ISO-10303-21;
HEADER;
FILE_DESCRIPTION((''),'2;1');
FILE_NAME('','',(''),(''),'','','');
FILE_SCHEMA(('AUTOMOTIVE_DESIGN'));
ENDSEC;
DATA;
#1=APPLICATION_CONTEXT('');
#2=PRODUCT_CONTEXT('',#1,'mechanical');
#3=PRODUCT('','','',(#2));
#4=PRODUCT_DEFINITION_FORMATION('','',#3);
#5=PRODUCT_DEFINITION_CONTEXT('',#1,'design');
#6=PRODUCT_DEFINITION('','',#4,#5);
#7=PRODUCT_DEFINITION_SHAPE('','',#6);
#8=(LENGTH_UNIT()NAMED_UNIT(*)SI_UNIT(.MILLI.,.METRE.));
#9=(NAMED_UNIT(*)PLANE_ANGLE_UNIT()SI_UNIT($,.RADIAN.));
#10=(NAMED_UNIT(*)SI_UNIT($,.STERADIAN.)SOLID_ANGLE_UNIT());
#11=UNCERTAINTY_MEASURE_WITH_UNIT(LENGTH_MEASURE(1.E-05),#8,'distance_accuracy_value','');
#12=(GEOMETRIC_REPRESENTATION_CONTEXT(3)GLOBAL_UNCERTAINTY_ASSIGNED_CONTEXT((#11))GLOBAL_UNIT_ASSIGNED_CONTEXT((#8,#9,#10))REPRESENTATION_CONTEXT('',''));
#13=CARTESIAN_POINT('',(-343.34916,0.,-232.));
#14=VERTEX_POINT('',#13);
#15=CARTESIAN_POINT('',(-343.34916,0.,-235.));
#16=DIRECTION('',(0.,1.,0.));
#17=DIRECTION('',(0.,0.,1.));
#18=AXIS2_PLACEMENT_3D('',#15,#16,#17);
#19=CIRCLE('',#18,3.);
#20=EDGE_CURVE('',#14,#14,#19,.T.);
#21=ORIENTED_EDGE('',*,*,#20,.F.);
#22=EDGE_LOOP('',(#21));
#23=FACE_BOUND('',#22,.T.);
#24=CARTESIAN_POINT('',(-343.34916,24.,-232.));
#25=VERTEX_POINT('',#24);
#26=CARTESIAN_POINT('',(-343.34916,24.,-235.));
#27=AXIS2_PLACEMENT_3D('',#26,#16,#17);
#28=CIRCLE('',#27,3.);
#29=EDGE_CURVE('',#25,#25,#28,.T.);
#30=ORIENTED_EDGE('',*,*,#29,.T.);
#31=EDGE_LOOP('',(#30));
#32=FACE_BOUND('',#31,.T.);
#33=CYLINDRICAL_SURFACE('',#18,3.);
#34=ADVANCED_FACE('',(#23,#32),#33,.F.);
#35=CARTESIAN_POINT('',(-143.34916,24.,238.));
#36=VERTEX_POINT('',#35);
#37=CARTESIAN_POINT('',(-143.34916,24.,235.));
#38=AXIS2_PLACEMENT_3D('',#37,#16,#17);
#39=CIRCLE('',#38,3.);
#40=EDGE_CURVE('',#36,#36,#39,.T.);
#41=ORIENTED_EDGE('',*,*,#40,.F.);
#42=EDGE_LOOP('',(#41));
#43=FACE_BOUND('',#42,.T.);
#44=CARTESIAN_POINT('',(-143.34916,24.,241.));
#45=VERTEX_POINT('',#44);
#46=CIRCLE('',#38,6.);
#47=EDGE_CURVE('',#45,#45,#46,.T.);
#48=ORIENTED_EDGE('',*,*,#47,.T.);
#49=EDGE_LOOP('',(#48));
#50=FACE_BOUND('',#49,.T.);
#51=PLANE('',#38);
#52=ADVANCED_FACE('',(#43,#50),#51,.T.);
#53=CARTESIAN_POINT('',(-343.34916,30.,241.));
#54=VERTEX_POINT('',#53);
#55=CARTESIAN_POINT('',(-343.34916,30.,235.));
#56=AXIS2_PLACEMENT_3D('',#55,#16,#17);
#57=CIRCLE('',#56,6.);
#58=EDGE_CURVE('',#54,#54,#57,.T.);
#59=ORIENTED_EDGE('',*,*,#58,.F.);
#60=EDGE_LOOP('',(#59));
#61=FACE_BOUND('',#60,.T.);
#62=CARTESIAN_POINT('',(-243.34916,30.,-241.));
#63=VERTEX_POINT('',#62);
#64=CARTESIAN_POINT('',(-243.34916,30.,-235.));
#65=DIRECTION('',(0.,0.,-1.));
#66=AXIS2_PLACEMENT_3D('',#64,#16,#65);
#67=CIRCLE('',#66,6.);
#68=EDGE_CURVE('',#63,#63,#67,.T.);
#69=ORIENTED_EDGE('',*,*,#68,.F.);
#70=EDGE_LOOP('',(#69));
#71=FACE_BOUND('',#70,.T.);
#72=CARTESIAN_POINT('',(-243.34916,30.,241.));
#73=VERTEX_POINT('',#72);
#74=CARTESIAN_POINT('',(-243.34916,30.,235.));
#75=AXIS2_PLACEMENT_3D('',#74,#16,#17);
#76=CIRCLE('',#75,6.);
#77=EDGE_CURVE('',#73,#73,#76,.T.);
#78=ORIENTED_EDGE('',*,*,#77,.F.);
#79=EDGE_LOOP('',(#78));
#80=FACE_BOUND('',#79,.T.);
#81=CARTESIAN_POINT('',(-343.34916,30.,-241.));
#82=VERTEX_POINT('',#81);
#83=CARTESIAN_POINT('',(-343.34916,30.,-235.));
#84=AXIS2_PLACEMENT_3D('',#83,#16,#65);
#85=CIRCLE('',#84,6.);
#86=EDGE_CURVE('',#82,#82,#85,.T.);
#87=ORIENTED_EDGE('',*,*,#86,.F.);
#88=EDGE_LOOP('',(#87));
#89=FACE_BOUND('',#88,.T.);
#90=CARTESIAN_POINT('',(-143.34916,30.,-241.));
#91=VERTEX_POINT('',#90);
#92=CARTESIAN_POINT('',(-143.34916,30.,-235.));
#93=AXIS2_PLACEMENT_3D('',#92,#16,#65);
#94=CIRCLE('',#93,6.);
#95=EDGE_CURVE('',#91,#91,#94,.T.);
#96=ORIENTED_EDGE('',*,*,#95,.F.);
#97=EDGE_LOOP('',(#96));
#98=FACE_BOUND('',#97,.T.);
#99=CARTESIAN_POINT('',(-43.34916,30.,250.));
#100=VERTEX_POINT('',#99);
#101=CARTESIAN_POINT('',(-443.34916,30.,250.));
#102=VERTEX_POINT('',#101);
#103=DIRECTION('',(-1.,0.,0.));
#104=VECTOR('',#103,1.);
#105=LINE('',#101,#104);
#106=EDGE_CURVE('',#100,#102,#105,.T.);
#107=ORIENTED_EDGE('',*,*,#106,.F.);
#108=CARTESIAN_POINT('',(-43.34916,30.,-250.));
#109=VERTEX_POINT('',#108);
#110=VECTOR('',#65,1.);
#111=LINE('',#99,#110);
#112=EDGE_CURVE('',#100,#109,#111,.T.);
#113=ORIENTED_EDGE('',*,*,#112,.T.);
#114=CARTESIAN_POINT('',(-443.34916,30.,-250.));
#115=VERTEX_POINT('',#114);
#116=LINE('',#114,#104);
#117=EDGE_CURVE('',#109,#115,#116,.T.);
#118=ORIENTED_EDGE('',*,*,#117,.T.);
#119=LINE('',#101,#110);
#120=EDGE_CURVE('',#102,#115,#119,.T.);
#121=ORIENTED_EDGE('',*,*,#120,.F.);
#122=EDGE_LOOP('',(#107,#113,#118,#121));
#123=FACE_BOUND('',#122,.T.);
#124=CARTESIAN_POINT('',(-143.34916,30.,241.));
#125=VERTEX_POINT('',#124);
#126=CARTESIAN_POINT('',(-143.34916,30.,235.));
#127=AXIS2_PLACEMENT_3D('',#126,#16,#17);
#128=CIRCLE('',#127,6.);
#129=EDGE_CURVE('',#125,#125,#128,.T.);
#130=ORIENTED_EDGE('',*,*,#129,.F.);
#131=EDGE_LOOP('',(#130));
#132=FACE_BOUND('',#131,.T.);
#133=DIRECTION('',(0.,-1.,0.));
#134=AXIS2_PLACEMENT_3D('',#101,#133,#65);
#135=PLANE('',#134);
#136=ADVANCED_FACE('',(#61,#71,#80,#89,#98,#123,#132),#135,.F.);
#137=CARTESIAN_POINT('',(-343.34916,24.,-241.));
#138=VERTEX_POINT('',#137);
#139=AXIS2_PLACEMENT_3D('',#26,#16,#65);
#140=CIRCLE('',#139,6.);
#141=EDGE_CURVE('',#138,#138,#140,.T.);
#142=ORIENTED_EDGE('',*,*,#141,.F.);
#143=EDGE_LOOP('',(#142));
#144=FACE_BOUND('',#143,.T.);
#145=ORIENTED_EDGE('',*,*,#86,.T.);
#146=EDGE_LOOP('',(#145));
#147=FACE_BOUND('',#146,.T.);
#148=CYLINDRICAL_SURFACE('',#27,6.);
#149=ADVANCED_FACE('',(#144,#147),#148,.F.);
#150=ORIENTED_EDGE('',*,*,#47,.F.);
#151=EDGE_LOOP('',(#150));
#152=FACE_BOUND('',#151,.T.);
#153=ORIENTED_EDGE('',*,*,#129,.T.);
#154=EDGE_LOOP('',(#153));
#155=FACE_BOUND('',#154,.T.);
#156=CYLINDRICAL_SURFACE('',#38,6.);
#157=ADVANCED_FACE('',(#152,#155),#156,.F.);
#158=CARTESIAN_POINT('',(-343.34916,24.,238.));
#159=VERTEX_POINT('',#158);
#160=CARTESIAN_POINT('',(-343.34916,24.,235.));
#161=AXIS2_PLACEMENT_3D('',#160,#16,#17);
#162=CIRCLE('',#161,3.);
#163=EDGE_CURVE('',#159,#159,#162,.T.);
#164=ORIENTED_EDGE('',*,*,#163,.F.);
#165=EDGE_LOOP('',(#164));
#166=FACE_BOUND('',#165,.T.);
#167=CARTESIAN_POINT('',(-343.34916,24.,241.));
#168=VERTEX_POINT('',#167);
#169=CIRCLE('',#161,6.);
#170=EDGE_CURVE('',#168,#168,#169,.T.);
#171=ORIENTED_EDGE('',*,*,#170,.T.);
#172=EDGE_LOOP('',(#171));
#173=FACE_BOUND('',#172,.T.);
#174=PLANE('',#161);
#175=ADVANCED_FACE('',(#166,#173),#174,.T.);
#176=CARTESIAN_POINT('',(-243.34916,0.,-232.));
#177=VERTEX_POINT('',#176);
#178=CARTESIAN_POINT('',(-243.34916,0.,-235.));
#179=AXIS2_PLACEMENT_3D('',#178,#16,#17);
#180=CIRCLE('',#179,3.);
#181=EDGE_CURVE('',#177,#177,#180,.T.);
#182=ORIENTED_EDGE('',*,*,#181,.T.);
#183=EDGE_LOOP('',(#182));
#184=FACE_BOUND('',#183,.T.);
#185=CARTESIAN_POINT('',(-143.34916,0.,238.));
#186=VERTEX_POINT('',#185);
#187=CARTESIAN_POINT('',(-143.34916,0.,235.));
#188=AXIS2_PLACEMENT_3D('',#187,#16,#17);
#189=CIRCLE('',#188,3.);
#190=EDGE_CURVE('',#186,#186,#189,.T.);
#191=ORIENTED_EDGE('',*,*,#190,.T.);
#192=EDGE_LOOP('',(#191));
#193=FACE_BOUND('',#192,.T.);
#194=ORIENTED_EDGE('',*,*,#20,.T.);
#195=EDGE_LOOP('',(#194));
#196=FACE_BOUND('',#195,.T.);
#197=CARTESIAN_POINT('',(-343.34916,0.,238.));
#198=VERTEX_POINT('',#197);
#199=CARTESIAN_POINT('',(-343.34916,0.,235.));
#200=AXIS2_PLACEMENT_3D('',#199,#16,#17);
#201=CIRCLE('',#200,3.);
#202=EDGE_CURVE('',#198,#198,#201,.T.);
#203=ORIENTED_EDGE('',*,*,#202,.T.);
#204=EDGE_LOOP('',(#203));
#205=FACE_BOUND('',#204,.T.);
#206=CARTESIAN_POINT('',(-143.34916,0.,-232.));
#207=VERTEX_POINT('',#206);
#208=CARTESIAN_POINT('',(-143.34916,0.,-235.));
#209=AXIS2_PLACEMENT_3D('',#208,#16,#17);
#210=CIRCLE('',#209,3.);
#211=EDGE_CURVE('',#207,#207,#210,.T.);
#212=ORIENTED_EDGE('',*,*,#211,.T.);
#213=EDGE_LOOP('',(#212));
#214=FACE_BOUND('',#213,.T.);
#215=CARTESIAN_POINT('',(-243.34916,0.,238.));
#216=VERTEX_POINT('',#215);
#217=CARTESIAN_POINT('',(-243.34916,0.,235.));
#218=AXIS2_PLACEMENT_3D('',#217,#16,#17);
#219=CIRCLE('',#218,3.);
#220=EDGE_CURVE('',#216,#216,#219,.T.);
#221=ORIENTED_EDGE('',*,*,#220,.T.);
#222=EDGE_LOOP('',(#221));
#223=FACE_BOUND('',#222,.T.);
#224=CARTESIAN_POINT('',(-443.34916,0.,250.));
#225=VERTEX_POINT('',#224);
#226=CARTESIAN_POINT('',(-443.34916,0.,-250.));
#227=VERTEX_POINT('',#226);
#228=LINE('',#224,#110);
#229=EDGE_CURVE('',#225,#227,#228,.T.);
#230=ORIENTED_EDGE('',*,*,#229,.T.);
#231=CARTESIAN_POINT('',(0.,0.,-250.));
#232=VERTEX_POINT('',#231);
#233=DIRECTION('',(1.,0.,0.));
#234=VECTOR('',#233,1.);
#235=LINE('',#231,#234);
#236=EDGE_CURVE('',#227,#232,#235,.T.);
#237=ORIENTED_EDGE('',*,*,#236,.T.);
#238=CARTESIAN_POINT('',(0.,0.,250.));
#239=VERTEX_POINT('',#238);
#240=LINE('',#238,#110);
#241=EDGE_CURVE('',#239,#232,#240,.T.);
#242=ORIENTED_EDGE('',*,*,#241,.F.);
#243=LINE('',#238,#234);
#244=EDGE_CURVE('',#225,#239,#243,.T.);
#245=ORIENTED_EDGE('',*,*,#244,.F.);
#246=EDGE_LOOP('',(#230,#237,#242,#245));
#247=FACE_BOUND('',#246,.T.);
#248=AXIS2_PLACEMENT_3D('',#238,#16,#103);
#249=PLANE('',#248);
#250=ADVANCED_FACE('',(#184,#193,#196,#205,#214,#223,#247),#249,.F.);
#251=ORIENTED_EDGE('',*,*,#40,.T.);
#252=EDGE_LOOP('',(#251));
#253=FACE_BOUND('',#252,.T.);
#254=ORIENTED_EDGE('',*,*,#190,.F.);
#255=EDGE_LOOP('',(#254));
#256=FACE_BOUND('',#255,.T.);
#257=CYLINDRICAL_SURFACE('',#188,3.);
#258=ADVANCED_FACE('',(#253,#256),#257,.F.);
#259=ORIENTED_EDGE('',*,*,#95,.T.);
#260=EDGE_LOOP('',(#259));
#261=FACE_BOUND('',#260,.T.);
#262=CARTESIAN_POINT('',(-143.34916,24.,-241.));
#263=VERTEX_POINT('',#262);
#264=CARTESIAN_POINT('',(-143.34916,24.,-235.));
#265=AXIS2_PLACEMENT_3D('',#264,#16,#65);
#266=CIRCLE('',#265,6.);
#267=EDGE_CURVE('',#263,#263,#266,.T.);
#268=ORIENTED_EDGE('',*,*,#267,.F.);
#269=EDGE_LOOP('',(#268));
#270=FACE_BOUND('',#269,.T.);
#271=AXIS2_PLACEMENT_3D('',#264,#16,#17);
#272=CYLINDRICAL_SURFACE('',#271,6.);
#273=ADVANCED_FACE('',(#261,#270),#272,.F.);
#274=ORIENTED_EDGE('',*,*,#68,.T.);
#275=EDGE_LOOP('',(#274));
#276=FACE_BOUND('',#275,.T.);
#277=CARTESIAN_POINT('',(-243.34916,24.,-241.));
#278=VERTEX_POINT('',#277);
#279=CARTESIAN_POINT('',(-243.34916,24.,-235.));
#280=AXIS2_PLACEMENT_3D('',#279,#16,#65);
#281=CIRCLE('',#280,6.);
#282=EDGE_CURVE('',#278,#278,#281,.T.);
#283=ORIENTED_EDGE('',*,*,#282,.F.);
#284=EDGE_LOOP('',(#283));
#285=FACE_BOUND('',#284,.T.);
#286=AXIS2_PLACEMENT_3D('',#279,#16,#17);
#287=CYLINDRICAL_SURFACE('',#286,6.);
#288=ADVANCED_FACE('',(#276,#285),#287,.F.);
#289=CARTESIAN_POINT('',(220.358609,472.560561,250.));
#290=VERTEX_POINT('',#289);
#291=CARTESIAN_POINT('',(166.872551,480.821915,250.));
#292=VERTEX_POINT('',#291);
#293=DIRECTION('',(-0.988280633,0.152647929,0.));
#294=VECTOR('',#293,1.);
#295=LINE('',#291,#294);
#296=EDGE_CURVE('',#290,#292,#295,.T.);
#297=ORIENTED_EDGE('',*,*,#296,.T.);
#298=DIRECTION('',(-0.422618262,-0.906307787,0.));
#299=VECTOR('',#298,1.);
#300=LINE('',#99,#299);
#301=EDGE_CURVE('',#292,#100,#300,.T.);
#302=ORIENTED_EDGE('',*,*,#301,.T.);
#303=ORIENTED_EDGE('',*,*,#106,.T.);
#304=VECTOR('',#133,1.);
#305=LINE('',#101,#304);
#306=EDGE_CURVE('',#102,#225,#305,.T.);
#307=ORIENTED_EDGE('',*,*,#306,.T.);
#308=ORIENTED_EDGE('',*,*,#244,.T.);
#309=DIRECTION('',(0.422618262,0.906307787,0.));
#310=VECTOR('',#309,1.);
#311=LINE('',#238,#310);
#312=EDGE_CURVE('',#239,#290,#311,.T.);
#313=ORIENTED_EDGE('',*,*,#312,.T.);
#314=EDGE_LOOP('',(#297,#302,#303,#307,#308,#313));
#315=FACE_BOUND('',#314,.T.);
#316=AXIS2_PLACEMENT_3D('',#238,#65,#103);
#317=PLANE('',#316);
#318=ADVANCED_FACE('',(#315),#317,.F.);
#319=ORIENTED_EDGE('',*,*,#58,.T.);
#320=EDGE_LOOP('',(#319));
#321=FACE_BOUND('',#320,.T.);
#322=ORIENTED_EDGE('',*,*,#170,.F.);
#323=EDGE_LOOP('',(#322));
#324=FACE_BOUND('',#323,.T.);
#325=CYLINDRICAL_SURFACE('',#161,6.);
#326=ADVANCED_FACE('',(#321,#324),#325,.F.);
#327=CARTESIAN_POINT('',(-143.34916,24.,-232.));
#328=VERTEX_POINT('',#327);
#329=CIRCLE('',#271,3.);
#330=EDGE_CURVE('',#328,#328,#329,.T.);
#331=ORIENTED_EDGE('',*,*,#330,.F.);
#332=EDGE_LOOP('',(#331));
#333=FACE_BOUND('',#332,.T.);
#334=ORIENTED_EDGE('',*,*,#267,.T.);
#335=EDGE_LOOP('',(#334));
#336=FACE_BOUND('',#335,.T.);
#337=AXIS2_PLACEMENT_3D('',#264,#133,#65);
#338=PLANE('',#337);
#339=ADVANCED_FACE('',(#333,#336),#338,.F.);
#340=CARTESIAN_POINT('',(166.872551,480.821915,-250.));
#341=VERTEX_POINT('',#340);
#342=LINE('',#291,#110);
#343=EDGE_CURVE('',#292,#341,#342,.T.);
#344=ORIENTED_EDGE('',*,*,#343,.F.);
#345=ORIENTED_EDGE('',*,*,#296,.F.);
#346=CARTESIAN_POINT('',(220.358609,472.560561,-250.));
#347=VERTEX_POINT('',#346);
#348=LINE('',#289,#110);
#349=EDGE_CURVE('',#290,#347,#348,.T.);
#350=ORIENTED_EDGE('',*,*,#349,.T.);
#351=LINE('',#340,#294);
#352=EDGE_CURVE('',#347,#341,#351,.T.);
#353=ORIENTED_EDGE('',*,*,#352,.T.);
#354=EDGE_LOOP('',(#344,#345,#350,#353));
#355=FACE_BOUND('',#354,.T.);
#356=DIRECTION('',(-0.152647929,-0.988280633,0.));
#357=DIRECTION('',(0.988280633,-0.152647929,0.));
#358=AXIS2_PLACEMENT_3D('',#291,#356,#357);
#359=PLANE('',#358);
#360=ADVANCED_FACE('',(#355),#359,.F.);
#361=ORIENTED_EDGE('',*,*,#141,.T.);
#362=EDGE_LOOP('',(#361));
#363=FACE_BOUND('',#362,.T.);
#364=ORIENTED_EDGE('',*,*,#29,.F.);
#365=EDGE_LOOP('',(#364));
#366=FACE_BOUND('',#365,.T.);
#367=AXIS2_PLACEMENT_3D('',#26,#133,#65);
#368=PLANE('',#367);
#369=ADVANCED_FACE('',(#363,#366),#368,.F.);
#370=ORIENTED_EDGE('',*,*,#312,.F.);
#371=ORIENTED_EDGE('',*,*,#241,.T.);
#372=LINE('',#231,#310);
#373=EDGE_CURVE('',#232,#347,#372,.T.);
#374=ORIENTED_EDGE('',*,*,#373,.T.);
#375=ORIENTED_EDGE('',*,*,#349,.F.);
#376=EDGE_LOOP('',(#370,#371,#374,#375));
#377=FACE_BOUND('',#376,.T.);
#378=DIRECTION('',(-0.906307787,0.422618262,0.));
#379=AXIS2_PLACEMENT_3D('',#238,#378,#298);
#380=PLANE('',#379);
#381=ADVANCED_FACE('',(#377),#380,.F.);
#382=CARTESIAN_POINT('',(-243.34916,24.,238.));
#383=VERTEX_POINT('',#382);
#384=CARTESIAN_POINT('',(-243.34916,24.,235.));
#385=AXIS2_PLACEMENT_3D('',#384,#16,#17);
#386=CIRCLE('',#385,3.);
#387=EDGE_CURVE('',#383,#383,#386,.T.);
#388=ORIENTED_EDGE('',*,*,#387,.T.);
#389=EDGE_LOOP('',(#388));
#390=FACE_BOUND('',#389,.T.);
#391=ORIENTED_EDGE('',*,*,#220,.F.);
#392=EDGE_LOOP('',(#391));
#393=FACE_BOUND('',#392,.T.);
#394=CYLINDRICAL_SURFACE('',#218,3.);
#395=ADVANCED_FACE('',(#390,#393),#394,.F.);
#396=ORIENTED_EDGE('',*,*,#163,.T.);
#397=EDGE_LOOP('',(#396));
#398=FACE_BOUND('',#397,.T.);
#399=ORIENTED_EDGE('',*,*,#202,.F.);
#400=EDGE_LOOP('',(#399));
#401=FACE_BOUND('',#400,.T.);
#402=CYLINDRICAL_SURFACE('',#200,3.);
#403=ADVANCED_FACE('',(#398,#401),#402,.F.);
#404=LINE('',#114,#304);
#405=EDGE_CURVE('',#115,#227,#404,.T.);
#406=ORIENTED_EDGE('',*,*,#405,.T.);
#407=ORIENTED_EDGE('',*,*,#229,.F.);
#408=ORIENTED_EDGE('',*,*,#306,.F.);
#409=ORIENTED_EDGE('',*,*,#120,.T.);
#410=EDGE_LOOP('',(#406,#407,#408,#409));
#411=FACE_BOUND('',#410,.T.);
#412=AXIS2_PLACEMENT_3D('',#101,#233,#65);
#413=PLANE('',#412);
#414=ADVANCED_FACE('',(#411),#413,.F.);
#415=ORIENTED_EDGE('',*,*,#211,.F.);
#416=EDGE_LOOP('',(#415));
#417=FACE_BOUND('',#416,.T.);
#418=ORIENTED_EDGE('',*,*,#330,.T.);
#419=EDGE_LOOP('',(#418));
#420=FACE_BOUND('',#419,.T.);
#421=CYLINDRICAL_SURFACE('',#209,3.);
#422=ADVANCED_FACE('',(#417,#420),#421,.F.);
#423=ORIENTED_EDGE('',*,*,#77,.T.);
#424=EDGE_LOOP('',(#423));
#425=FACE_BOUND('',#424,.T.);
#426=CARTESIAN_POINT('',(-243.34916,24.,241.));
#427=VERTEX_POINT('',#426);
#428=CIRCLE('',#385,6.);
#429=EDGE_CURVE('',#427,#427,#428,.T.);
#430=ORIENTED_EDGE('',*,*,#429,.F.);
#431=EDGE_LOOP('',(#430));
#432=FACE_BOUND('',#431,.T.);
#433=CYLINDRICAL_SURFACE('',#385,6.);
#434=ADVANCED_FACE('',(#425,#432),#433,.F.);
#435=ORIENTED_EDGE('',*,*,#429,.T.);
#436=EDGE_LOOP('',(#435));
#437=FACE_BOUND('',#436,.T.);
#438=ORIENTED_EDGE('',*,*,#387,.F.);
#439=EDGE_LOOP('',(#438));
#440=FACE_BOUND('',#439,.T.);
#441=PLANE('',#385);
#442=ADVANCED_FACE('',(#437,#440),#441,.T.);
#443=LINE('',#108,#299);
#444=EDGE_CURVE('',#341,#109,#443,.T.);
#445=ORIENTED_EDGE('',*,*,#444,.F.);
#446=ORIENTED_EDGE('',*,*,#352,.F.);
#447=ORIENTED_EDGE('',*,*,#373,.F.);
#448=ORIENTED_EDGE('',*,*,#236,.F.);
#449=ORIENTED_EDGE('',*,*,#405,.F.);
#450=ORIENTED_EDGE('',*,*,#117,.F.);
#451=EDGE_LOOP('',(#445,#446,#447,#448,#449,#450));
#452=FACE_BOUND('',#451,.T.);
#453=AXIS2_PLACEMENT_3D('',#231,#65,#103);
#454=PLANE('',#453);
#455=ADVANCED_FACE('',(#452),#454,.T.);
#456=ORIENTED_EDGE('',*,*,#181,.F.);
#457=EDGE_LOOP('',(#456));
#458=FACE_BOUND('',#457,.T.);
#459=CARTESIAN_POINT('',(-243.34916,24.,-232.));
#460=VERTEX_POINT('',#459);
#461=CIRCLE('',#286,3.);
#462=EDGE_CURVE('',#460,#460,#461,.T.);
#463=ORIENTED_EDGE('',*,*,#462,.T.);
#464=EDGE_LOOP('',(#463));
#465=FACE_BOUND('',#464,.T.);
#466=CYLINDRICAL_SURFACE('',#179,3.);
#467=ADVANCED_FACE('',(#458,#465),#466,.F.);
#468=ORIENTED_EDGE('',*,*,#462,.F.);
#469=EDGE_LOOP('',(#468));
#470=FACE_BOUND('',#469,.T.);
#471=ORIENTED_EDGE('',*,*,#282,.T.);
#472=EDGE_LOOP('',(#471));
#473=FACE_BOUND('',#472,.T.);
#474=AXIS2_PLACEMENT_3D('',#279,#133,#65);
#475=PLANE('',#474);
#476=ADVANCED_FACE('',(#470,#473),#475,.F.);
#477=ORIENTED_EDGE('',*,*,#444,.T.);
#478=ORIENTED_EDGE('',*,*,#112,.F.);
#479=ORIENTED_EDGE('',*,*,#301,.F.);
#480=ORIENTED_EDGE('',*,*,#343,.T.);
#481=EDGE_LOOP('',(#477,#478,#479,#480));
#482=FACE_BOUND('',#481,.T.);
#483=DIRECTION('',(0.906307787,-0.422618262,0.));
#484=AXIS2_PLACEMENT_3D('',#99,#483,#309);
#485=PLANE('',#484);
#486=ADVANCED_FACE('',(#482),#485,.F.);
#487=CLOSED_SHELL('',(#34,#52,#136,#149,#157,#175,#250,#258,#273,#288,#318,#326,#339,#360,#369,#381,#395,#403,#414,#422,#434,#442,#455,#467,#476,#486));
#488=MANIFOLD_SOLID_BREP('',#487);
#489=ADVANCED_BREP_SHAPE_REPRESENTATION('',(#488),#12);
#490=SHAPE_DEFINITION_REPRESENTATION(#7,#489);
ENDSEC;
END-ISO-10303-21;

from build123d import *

# Parameters (mm, degrees)
BOSS_EXTRUDE2_DEPTH = 250
SKETCH5_R           = 6
CUT_EXTRUDE1_DEPTH  = 6
SKETCH6_R           = 3
CUT_EXTRUDE2_DEPTH  = 684.91866463


with BuildPart() as part:
    # Sketch2 → Boss-Extrude2 (new, symmetric)
    with BuildSketch(Plane.XY):
        Polygon((0, 0), (-443.349160121, 0), (-443.349160121, 30), (-43.349160121, 30), (166.872551321, 480.821915028), (220.358608676, 472.5605613), align=None)
    extrude(amount=BOSS_EXTRUDE2_DEPTH, both=True)

    # Sketch5 → Cut-Extrude1 (cut)
    with BuildSketch(Plane(origin=(0, 30, 0), x_dir=(1, 0, 0), z_dir=(0, 1, 0))):
        with Locations(Location((-343.349160121, -235, 0), (0, 0, 270))):
            Circle(SKETCH5_R)
        with Locations(Location((-243.349160121, -235, 0), (0, 0, 270))):
            Circle(SKETCH5_R)
        with Locations(Location((-143.349160121, -235, 0), (0, 0, 270))):
            Circle(SKETCH5_R)
        with Locations(Location((-143.349160121, 235, 0), (0, 0, 90))):
            Circle(SKETCH5_R)
        with Locations(Location((-243.349160121, 235, 0), (0, 0, 90))):
            Circle(SKETCH5_R)
        with Locations(Location((-343.349160121, 235, 0), (0, 0, 90))):
            Circle(SKETCH5_R)
    extrude(amount=-CUT_EXTRUDE1_DEPTH, mode=Mode.SUBTRACT)

    # Sketch6 → Cut-Extrude2 (cut, through all)
    with BuildSketch(Plane(origin=(0, 24, 0), x_dir=(1, 0, 0), z_dir=(0, 1, 0))):
        with Locations(Location((-143.349160121, 235, 0), (0, 0, 270))):
            Circle(SKETCH6_R)
        with Locations(Location((-243.349160121, 235, 0), (0, 0, 270))):
            Circle(SKETCH6_R)
        with Locations(Location((-343.349160121, 235, 0), (0, 0, 270))):
            Circle(SKETCH6_R)
        with Locations(Location((-343.349160121, -235, 0), (0, 0, 270))):
            Circle(SKETCH6_R)
        with Locations(Location((-243.349160121, -235, 0), (0, 0, 270))):
            Circle(SKETCH6_R)
        with Locations(Location((-143.349160121, -235, 0), (0, 0, 270))):
            Circle(SKETCH6_R)
    extrude(amount=-CUT_EXTRUDE2_DEPTH, mode=Mode.SUBTRACT)


solid = part.part
